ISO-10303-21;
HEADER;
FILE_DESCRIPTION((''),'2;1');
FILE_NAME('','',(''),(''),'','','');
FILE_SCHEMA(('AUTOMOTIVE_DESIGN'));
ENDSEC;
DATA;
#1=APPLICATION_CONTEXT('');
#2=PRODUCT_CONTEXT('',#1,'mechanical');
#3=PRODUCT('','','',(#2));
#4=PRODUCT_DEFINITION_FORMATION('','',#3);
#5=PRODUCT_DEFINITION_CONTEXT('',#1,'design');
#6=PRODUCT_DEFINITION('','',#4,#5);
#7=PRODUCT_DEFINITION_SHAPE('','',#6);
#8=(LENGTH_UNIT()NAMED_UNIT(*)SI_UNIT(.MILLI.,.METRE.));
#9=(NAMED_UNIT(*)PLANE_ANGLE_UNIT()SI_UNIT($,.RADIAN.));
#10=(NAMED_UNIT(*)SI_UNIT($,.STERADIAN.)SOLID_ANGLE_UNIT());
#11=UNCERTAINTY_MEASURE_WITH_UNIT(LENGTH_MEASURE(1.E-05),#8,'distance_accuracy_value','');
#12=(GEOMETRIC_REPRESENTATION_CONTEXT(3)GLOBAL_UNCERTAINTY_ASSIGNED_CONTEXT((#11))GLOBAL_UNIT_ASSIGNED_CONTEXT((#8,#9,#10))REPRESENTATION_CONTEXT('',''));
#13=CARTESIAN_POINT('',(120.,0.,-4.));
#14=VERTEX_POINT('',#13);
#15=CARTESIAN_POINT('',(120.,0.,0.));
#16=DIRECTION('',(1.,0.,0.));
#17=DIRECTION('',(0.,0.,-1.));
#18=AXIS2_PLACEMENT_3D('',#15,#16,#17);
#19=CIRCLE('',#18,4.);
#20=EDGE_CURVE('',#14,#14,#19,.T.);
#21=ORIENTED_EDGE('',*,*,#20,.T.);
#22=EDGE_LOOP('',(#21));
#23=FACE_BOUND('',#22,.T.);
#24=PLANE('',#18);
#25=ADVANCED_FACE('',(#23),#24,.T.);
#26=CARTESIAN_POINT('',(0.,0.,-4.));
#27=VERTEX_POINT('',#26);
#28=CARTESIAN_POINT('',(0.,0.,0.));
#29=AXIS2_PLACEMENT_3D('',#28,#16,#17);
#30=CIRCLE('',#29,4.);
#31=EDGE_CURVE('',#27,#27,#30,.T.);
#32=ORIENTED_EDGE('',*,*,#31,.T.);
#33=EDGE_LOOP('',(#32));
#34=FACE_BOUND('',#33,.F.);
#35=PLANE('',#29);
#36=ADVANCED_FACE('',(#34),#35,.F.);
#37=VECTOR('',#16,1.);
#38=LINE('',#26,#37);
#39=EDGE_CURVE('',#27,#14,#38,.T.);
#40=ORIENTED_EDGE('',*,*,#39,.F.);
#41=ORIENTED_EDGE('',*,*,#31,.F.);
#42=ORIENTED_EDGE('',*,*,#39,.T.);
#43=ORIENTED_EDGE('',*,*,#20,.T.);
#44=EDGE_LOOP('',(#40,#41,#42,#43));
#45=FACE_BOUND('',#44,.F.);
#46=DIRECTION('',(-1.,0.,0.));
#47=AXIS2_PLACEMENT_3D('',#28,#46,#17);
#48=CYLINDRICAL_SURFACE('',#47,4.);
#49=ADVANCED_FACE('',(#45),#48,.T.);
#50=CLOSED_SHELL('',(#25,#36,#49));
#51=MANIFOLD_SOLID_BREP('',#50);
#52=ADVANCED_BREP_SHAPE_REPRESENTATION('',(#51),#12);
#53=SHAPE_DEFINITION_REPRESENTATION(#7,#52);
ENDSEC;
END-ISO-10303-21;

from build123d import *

# Parameters (mm, degrees)
CROQUIS1_R              = 4
SALIENTE_EXTRUIR1_DEPTH = 120


with BuildPart() as part:
    # Croquis1 → Saliente-Extruir1 (new body)
    with BuildSketch(Plane(origin=(0, 0, 0), x_dir=(0, 0, -1), z_dir=(1, 0, 0))):
        Circle(CROQUIS1_R)
    extrude(amount=SALIENTE_EXTRUIR1_DEPTH)


solid = part.part
